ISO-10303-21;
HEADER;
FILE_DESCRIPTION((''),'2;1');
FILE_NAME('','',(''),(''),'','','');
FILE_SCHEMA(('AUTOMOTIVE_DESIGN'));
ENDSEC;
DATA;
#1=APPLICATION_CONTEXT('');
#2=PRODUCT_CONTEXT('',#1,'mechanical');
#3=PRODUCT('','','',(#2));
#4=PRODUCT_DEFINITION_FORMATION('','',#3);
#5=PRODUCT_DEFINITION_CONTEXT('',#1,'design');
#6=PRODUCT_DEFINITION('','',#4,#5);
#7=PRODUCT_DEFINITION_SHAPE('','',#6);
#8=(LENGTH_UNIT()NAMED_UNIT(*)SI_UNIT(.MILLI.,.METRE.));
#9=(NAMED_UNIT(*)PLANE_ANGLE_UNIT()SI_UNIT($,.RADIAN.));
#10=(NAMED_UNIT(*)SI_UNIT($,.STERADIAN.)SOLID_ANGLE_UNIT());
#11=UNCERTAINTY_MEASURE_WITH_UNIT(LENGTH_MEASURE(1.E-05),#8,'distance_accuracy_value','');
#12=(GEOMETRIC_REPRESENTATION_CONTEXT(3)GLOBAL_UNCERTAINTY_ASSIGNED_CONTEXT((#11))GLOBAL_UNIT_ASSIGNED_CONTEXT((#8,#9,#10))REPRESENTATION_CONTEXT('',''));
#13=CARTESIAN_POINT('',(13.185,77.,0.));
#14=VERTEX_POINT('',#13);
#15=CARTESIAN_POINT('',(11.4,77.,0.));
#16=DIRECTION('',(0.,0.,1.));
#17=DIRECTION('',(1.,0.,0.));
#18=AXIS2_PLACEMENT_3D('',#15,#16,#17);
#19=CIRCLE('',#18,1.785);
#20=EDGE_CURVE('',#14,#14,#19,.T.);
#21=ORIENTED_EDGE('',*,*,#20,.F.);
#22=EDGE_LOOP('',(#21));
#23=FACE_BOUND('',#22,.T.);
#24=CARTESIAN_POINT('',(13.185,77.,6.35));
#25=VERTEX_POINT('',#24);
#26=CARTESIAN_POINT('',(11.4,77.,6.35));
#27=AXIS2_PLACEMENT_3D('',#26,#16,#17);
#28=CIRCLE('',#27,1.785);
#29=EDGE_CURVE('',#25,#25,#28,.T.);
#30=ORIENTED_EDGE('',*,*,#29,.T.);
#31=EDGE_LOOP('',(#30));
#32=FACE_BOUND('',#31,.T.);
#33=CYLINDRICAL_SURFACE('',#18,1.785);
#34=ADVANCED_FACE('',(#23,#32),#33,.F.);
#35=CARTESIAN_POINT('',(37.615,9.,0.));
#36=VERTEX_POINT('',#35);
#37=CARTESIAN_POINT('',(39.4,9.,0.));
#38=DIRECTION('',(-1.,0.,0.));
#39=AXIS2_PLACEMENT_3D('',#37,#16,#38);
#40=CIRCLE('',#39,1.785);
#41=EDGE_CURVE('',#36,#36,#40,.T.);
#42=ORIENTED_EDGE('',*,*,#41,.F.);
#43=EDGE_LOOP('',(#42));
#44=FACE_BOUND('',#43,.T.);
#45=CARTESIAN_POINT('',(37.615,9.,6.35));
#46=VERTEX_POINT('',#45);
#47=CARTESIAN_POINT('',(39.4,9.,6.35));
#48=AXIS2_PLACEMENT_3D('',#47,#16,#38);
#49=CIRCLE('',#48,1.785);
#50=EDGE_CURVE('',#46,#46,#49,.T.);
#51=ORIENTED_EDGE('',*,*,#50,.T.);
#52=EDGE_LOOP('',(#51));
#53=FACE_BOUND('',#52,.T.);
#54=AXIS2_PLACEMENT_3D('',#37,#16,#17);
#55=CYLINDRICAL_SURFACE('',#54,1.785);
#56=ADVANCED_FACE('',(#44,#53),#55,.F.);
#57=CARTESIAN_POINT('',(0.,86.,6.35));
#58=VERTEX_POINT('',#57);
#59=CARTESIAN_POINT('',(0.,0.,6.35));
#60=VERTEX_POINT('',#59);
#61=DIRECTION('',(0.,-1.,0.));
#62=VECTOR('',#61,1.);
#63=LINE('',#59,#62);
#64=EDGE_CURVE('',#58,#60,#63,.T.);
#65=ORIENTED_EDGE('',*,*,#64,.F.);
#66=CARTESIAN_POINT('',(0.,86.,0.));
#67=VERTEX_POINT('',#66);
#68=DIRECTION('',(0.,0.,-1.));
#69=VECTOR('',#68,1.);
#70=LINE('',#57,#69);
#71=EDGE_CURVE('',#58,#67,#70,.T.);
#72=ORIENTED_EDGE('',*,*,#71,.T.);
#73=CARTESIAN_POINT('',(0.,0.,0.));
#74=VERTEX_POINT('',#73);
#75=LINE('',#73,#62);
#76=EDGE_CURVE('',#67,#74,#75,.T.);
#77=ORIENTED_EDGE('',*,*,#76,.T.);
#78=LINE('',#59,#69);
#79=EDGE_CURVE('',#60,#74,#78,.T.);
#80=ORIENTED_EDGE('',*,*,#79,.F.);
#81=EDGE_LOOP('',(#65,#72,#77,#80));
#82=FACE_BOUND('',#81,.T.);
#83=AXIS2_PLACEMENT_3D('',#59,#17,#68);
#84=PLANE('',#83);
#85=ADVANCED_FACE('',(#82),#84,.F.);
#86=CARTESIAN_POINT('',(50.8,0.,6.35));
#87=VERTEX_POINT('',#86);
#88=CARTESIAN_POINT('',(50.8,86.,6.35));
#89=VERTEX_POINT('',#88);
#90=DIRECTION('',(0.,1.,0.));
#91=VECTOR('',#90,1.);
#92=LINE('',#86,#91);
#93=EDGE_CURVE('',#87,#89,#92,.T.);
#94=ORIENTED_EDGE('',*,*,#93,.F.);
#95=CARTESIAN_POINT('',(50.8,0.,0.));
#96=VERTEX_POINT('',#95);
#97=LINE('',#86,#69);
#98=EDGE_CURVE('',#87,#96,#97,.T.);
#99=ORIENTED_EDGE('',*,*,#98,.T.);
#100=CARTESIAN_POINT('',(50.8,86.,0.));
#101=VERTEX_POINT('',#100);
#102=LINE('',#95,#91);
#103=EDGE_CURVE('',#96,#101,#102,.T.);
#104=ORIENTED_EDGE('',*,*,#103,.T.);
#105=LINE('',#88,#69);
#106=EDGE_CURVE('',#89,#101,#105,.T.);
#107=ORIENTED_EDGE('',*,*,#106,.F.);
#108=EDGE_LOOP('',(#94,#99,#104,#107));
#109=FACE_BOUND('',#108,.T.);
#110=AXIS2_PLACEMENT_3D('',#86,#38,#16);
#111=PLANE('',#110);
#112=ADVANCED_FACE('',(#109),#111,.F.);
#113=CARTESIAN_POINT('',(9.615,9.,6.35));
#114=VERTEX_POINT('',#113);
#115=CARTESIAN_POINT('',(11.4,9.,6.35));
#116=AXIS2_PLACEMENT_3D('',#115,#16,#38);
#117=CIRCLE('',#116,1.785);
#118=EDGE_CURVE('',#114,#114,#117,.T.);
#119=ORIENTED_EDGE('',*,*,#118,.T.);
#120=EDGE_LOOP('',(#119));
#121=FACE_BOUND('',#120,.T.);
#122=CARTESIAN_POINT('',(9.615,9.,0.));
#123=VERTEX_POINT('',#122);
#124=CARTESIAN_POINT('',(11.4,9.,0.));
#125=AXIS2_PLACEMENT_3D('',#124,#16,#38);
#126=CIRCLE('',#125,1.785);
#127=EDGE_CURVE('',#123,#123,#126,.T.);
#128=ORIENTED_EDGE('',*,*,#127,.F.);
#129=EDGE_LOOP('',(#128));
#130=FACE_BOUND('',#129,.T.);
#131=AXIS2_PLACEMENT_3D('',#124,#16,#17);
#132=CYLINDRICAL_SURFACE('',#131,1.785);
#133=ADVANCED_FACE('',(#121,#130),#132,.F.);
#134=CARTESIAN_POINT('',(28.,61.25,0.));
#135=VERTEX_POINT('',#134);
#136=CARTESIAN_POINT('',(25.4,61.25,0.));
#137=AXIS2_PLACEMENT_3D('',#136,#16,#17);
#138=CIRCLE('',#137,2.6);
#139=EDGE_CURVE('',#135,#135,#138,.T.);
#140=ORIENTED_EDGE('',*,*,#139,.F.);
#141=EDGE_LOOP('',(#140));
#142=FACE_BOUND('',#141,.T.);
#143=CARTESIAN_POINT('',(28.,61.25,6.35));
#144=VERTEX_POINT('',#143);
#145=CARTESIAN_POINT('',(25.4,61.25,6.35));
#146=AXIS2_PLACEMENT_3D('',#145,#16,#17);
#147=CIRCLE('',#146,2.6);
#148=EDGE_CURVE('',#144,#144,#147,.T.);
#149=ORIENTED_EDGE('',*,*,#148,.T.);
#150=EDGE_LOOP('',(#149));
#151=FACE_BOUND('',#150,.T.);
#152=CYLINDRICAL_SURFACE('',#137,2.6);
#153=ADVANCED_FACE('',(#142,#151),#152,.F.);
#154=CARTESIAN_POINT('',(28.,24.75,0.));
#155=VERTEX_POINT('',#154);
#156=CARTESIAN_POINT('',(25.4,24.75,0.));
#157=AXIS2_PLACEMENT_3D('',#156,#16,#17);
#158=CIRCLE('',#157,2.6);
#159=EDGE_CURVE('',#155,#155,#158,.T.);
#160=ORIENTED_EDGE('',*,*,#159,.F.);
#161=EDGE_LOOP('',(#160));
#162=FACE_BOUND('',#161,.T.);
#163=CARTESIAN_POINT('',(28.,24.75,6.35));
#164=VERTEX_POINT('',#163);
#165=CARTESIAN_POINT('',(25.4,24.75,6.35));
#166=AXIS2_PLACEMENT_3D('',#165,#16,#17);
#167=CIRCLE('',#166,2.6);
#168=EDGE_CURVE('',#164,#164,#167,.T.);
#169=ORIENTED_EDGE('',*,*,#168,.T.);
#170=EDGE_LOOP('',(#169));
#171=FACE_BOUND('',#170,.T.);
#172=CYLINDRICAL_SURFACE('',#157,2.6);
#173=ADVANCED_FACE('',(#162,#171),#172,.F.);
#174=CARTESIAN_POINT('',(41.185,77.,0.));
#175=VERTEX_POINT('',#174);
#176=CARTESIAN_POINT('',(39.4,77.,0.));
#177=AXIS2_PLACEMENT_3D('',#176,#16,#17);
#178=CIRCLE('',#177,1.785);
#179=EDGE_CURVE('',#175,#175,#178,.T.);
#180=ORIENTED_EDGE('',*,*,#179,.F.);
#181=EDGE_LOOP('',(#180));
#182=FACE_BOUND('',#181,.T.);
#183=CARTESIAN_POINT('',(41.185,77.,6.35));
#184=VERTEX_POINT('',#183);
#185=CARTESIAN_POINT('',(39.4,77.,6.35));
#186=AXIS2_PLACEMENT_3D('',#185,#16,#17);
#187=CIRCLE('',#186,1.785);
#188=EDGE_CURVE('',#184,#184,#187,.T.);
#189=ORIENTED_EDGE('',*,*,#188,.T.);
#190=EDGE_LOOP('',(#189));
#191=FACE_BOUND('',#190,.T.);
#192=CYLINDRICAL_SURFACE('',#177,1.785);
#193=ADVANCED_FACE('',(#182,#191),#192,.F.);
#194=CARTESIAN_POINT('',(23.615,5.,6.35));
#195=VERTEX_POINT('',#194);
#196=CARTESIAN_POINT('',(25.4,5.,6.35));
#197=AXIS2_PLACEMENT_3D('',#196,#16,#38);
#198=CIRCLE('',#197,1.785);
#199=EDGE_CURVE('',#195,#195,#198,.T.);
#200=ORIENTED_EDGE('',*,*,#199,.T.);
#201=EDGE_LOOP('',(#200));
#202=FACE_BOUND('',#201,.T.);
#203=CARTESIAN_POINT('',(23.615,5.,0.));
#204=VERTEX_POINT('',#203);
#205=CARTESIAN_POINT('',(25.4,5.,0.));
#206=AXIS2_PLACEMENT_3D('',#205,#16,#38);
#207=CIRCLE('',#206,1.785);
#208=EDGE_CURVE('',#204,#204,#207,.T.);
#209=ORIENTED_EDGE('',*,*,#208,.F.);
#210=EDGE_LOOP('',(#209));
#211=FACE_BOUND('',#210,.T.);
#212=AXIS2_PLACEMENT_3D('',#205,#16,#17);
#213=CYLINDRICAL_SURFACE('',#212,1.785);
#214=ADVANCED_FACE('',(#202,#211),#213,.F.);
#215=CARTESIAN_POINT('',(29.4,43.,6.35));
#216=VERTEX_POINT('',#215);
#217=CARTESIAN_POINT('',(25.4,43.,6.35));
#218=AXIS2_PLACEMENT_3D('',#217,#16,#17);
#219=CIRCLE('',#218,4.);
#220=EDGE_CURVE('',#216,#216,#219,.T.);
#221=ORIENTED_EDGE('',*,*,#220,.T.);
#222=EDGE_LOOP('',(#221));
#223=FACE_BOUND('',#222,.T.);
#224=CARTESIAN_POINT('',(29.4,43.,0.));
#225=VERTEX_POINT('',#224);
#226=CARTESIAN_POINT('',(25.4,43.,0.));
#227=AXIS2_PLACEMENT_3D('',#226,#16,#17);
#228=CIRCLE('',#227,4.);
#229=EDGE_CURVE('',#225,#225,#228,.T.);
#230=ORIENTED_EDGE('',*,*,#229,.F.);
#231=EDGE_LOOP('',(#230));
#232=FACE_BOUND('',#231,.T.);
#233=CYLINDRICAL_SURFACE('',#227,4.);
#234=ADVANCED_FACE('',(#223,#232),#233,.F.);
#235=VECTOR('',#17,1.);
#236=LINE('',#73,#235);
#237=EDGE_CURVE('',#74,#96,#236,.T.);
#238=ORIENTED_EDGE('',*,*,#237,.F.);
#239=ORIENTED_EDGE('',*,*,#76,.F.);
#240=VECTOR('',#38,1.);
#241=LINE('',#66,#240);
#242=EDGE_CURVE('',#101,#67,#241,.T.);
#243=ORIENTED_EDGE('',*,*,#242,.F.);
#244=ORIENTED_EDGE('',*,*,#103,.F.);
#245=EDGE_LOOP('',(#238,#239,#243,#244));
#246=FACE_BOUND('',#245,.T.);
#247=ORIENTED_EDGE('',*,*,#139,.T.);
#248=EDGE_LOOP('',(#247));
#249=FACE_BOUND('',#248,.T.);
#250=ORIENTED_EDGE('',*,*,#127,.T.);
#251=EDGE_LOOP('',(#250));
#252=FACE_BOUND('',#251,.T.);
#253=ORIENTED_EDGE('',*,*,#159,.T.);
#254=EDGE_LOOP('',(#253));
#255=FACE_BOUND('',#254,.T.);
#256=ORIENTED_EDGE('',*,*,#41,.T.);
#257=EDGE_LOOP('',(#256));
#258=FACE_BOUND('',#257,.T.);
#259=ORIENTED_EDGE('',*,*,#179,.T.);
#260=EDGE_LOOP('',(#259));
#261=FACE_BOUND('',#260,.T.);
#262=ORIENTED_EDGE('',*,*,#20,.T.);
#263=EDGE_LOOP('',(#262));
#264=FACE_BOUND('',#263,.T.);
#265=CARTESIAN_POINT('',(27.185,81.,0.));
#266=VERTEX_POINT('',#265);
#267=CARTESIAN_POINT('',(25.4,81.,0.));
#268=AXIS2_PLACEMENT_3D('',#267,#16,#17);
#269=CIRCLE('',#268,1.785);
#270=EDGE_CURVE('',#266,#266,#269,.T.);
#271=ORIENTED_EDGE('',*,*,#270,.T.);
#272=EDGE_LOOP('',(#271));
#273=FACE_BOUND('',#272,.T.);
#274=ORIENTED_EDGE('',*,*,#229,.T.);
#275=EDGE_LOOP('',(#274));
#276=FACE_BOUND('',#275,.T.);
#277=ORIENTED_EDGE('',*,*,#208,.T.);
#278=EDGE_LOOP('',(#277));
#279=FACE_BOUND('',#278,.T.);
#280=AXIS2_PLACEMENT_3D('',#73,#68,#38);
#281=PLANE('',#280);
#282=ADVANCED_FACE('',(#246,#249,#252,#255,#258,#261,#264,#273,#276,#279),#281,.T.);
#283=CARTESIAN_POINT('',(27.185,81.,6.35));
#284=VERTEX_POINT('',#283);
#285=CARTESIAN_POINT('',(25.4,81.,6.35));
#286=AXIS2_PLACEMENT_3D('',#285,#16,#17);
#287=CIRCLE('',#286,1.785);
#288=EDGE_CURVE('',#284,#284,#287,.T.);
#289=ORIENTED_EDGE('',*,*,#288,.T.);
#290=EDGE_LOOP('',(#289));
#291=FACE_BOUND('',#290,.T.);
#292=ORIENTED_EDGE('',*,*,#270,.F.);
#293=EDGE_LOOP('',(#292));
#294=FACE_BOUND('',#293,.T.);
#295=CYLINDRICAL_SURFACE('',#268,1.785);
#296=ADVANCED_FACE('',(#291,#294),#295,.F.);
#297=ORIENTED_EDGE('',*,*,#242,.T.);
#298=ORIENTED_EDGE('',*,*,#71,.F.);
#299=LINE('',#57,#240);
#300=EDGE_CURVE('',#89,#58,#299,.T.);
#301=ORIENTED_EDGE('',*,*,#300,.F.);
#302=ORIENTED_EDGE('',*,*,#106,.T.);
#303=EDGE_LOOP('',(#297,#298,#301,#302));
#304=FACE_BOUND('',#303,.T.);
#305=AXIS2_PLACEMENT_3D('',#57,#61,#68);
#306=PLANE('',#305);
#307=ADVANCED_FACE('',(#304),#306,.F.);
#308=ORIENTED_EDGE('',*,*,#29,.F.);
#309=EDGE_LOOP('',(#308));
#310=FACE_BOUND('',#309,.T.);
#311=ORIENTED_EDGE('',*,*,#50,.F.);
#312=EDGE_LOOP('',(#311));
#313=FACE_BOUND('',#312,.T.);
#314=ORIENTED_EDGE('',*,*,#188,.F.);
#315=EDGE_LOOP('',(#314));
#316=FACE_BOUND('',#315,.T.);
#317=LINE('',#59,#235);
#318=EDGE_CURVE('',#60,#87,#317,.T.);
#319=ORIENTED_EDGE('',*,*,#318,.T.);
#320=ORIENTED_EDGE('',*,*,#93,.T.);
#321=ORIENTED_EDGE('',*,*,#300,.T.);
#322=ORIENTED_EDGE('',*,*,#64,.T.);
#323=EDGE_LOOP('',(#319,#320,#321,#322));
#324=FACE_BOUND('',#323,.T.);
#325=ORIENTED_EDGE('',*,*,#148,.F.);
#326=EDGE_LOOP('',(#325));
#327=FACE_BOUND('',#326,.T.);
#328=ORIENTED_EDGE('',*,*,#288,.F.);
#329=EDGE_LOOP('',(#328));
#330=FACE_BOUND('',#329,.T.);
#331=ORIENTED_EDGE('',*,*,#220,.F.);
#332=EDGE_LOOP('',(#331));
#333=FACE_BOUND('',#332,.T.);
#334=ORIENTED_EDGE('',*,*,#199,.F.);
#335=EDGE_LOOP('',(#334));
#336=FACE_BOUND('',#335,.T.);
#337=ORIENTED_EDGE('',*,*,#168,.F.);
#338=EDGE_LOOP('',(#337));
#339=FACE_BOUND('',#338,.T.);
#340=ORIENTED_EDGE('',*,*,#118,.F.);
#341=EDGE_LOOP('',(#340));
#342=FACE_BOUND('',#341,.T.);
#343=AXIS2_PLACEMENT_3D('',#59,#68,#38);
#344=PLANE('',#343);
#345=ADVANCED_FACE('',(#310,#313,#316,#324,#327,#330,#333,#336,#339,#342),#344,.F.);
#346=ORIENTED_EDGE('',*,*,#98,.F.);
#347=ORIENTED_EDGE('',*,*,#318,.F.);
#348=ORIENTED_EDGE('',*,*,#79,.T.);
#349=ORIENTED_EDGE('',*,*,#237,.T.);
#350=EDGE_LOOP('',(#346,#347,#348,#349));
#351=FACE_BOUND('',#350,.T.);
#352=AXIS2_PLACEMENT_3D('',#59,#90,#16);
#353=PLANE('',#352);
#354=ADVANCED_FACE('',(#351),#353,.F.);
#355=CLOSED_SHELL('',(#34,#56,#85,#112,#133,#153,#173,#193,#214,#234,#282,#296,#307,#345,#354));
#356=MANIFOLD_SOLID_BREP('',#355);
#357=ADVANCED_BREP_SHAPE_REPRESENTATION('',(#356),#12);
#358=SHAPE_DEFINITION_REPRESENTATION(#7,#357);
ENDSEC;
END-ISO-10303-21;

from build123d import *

# Parameters (mm, degrees)
CROQUIS1_W              = 50.8
CROQUIS1_H              = 86
SALIENTE_EXTRUIR1_DEPTH = 6.35
CROQUIS2_R              = 4
CROQUIS2_R_2            = 2.6
CORTAR_EXTRUIR1_DEPTH   = 6.35
CROQUIS3_R              = 1.785
CORTAR_EXTRUIR2_DEPTH   = 7.35


with BuildPart() as part:
    # Croquis1 → Saliente-Extruir1 (new body)
    with BuildSketch(Plane.XY):
        with Locations((25.4, 43)):
            Rectangle(CROQUIS1_W, CROQUIS1_H)
    extrude(amount=SALIENTE_EXTRUIR1_DEPTH)

    # Croquis2 → Cortar-Extruir1 (cut)
    with BuildSketch(Plane.XY.offset(6.35)):
        with Locations((25.4, 43)):
            Circle(CROQUIS2_R)
        with Locations((25.4, 61.25)):
            Circle(CROQUIS2_R_2)
        with Locations((25.4, 24.75)):
            Circle(CROQUIS2_R_2)
    extrude(amount=-CORTAR_EXTRUIR1_DEPTH, mode=Mode.SUBTRACT)

    # Croquis3 → Cortar-Extruir2 (cut, through all)
    with BuildSketch(Plane.XY.offset(6.35)):
        with Locations((25.4, 81)):
            Circle(CROQUIS3_R)
        with Locations((11.4, 77)):
            Circle(CROQUIS3_R)
        with Locations((39.4, 77)):
            Circle(CROQUIS3_R)
        with Locations((39.4, 9)):
            Circle(CROQUIS3_R)
        with Locations((11.4, 9)):
            Circle(CROQUIS3_R)
        with Locations((25.4, 5)):
            Circle(CROQUIS3_R)
    extrude(amount=-CORTAR_EXTRUIR2_DEPTH, mode=Mode.SUBTRACT)


solid = part.part
